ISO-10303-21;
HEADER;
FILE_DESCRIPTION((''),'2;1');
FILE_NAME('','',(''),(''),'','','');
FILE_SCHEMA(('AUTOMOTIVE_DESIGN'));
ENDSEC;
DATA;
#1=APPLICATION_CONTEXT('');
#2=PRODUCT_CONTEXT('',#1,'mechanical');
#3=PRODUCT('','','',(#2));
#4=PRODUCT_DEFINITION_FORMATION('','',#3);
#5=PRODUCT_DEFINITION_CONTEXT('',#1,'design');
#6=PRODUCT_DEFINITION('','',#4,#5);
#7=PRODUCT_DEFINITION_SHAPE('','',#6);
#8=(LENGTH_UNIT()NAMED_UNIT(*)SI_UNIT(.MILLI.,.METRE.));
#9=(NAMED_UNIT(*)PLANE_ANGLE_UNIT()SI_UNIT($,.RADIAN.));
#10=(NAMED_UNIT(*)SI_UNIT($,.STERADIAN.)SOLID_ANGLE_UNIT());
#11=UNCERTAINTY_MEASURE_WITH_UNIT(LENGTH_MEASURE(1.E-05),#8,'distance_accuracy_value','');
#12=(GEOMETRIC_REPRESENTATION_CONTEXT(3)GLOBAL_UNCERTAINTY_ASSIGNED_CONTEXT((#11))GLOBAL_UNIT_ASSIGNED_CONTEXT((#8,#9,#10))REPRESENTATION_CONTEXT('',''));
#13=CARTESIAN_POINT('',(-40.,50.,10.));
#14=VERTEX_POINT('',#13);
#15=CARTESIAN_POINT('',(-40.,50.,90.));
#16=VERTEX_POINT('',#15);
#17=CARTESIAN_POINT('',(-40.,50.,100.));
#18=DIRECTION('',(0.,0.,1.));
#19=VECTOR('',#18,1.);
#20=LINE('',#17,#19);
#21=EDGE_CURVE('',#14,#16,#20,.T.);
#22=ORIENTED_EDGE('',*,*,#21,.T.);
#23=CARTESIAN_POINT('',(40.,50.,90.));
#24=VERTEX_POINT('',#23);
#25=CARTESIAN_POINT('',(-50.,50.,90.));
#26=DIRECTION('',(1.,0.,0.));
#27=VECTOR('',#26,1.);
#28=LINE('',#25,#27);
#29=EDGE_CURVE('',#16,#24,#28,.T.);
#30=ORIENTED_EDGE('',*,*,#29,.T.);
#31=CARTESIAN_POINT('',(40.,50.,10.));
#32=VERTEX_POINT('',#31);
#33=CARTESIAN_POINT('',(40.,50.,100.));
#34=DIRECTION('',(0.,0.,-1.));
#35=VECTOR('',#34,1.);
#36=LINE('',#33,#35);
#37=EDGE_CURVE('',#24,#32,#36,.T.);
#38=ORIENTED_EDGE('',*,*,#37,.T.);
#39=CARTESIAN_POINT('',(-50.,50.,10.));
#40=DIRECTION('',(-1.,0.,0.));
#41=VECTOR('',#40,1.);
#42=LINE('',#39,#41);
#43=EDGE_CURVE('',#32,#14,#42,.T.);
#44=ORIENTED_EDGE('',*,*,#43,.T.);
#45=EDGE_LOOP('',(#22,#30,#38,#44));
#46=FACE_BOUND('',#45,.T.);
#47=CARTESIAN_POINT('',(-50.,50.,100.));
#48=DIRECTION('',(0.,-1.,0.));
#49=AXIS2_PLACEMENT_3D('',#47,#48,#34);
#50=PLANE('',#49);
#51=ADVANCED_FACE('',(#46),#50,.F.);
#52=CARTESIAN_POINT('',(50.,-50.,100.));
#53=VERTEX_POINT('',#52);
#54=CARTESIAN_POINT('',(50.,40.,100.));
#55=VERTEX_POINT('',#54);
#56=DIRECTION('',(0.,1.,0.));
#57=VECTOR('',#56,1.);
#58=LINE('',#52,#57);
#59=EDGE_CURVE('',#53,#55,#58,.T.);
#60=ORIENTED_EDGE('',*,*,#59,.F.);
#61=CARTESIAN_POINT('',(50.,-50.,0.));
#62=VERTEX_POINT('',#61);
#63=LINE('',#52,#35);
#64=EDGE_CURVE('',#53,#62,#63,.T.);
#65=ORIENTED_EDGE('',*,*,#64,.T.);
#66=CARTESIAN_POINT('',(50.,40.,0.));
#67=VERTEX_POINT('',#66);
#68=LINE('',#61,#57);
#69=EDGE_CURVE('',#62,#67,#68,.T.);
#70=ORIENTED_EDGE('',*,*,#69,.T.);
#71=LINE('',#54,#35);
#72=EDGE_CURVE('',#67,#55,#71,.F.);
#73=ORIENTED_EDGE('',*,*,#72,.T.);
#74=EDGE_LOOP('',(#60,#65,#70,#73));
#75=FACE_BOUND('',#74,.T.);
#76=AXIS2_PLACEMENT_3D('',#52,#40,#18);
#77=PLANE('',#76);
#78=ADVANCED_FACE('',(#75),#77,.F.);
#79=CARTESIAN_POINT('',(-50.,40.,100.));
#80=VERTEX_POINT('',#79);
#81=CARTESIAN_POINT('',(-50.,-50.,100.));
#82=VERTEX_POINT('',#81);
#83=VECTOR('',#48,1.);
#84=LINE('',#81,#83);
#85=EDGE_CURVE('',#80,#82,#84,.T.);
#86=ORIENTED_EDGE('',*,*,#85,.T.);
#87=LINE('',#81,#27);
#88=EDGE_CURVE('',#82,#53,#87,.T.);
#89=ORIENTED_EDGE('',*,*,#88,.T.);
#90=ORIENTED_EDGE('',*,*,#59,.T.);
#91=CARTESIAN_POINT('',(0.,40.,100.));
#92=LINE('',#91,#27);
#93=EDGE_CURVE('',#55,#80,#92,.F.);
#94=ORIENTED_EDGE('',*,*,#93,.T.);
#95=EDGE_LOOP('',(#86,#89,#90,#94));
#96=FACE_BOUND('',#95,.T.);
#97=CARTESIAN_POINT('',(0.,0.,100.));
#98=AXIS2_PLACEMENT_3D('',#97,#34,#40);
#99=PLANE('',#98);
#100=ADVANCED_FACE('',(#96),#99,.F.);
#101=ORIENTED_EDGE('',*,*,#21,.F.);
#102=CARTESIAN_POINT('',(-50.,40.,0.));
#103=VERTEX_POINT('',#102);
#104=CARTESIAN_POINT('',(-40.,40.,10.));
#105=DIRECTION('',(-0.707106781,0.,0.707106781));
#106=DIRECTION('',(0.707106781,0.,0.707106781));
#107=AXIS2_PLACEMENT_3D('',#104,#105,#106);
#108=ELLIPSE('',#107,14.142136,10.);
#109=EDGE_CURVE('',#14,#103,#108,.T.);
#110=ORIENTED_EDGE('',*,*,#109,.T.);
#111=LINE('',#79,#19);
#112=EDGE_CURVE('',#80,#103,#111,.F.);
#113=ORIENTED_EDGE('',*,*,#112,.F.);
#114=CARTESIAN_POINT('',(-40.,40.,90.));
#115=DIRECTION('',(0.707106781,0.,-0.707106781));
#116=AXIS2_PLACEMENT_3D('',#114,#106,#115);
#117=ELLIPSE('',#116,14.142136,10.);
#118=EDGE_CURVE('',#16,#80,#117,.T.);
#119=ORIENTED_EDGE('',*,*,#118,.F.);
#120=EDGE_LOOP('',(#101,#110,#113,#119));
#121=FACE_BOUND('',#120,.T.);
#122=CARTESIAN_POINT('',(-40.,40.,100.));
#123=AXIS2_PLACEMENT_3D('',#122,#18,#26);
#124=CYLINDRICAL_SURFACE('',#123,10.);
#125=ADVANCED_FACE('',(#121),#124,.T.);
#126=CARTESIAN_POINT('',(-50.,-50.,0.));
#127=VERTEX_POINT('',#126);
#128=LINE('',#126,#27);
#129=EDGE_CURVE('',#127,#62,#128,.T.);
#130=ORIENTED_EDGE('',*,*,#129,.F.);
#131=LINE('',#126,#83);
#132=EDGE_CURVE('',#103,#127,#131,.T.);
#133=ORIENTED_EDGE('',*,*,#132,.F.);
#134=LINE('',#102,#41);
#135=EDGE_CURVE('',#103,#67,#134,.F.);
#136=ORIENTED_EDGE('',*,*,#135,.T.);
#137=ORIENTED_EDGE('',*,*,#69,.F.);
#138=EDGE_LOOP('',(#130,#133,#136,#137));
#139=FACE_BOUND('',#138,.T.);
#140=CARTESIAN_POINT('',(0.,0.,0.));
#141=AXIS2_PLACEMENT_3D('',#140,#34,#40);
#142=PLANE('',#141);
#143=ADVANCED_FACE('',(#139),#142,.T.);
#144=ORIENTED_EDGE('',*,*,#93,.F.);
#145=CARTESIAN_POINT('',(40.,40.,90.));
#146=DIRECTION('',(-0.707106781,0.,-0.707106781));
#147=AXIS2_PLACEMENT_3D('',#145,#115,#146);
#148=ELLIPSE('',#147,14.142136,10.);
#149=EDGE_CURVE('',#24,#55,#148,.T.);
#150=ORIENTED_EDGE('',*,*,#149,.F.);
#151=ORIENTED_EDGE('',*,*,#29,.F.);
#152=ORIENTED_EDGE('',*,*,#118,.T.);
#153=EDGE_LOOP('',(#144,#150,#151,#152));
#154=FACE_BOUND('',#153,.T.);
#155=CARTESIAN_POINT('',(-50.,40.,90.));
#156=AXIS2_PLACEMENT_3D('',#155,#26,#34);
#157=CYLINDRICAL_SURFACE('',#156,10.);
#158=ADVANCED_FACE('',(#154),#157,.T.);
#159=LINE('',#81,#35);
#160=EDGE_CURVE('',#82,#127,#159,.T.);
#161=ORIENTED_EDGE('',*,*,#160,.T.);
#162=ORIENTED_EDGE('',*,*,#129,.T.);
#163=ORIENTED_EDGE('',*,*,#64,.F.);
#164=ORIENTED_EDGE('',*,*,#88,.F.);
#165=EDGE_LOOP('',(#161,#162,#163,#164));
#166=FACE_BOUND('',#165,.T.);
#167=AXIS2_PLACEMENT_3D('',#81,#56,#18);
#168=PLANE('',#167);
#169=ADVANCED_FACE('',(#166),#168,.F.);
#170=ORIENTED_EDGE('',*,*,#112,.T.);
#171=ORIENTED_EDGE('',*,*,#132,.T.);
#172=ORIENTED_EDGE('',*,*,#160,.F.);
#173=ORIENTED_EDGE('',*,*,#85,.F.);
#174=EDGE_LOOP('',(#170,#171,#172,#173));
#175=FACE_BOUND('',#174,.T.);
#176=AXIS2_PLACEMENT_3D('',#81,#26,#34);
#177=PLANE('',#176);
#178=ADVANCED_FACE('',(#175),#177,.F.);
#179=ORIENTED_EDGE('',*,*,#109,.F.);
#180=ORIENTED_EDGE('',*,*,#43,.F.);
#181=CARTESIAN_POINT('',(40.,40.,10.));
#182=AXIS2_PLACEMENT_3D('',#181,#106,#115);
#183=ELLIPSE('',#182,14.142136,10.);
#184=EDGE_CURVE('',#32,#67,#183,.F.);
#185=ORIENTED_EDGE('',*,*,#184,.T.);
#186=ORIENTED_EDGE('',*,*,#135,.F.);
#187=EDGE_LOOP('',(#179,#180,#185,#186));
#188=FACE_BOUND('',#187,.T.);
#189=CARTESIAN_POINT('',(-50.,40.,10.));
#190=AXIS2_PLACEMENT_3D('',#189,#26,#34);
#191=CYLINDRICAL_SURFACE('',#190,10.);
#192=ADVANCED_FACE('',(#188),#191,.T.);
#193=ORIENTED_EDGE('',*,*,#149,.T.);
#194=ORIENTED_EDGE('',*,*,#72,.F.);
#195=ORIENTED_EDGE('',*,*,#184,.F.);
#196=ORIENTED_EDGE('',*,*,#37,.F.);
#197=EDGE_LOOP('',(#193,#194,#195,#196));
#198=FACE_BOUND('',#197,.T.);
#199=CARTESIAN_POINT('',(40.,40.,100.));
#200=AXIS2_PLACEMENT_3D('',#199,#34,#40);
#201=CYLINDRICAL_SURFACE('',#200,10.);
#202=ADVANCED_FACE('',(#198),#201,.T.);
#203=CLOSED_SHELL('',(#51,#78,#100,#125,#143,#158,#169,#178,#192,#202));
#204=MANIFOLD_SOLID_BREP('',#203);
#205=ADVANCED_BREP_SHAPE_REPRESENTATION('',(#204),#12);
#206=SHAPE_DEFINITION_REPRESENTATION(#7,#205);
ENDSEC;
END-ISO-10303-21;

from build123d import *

# Parameters (mm, degrees)
SKETCH_1_W      = 100
SKETCH_1_H      = 100
EXTRUDE_1_DEPTH = 100
FILLET_1_R      = 10


with BuildPart() as part:
    # 草图1 → 凸台-拉伸1 (new body)
    with BuildSketch(Plane.XY):
        Rectangle(SKETCH_1_W, SKETCH_1_H)
    extrude(amount=EXTRUDE_1_DEPTH)

    # 圆角1
    fillet_1_edges = [part.edges().sort_by_distance(p)[0] for p in [
        (0, 50, 0),
        (-50, 50, 50),
        (50, 50, 50),
        (0, 50, 100),
    ]]
    fillet(fillet_1_edges, radius=FILLET_1_R)


solid = part.part
